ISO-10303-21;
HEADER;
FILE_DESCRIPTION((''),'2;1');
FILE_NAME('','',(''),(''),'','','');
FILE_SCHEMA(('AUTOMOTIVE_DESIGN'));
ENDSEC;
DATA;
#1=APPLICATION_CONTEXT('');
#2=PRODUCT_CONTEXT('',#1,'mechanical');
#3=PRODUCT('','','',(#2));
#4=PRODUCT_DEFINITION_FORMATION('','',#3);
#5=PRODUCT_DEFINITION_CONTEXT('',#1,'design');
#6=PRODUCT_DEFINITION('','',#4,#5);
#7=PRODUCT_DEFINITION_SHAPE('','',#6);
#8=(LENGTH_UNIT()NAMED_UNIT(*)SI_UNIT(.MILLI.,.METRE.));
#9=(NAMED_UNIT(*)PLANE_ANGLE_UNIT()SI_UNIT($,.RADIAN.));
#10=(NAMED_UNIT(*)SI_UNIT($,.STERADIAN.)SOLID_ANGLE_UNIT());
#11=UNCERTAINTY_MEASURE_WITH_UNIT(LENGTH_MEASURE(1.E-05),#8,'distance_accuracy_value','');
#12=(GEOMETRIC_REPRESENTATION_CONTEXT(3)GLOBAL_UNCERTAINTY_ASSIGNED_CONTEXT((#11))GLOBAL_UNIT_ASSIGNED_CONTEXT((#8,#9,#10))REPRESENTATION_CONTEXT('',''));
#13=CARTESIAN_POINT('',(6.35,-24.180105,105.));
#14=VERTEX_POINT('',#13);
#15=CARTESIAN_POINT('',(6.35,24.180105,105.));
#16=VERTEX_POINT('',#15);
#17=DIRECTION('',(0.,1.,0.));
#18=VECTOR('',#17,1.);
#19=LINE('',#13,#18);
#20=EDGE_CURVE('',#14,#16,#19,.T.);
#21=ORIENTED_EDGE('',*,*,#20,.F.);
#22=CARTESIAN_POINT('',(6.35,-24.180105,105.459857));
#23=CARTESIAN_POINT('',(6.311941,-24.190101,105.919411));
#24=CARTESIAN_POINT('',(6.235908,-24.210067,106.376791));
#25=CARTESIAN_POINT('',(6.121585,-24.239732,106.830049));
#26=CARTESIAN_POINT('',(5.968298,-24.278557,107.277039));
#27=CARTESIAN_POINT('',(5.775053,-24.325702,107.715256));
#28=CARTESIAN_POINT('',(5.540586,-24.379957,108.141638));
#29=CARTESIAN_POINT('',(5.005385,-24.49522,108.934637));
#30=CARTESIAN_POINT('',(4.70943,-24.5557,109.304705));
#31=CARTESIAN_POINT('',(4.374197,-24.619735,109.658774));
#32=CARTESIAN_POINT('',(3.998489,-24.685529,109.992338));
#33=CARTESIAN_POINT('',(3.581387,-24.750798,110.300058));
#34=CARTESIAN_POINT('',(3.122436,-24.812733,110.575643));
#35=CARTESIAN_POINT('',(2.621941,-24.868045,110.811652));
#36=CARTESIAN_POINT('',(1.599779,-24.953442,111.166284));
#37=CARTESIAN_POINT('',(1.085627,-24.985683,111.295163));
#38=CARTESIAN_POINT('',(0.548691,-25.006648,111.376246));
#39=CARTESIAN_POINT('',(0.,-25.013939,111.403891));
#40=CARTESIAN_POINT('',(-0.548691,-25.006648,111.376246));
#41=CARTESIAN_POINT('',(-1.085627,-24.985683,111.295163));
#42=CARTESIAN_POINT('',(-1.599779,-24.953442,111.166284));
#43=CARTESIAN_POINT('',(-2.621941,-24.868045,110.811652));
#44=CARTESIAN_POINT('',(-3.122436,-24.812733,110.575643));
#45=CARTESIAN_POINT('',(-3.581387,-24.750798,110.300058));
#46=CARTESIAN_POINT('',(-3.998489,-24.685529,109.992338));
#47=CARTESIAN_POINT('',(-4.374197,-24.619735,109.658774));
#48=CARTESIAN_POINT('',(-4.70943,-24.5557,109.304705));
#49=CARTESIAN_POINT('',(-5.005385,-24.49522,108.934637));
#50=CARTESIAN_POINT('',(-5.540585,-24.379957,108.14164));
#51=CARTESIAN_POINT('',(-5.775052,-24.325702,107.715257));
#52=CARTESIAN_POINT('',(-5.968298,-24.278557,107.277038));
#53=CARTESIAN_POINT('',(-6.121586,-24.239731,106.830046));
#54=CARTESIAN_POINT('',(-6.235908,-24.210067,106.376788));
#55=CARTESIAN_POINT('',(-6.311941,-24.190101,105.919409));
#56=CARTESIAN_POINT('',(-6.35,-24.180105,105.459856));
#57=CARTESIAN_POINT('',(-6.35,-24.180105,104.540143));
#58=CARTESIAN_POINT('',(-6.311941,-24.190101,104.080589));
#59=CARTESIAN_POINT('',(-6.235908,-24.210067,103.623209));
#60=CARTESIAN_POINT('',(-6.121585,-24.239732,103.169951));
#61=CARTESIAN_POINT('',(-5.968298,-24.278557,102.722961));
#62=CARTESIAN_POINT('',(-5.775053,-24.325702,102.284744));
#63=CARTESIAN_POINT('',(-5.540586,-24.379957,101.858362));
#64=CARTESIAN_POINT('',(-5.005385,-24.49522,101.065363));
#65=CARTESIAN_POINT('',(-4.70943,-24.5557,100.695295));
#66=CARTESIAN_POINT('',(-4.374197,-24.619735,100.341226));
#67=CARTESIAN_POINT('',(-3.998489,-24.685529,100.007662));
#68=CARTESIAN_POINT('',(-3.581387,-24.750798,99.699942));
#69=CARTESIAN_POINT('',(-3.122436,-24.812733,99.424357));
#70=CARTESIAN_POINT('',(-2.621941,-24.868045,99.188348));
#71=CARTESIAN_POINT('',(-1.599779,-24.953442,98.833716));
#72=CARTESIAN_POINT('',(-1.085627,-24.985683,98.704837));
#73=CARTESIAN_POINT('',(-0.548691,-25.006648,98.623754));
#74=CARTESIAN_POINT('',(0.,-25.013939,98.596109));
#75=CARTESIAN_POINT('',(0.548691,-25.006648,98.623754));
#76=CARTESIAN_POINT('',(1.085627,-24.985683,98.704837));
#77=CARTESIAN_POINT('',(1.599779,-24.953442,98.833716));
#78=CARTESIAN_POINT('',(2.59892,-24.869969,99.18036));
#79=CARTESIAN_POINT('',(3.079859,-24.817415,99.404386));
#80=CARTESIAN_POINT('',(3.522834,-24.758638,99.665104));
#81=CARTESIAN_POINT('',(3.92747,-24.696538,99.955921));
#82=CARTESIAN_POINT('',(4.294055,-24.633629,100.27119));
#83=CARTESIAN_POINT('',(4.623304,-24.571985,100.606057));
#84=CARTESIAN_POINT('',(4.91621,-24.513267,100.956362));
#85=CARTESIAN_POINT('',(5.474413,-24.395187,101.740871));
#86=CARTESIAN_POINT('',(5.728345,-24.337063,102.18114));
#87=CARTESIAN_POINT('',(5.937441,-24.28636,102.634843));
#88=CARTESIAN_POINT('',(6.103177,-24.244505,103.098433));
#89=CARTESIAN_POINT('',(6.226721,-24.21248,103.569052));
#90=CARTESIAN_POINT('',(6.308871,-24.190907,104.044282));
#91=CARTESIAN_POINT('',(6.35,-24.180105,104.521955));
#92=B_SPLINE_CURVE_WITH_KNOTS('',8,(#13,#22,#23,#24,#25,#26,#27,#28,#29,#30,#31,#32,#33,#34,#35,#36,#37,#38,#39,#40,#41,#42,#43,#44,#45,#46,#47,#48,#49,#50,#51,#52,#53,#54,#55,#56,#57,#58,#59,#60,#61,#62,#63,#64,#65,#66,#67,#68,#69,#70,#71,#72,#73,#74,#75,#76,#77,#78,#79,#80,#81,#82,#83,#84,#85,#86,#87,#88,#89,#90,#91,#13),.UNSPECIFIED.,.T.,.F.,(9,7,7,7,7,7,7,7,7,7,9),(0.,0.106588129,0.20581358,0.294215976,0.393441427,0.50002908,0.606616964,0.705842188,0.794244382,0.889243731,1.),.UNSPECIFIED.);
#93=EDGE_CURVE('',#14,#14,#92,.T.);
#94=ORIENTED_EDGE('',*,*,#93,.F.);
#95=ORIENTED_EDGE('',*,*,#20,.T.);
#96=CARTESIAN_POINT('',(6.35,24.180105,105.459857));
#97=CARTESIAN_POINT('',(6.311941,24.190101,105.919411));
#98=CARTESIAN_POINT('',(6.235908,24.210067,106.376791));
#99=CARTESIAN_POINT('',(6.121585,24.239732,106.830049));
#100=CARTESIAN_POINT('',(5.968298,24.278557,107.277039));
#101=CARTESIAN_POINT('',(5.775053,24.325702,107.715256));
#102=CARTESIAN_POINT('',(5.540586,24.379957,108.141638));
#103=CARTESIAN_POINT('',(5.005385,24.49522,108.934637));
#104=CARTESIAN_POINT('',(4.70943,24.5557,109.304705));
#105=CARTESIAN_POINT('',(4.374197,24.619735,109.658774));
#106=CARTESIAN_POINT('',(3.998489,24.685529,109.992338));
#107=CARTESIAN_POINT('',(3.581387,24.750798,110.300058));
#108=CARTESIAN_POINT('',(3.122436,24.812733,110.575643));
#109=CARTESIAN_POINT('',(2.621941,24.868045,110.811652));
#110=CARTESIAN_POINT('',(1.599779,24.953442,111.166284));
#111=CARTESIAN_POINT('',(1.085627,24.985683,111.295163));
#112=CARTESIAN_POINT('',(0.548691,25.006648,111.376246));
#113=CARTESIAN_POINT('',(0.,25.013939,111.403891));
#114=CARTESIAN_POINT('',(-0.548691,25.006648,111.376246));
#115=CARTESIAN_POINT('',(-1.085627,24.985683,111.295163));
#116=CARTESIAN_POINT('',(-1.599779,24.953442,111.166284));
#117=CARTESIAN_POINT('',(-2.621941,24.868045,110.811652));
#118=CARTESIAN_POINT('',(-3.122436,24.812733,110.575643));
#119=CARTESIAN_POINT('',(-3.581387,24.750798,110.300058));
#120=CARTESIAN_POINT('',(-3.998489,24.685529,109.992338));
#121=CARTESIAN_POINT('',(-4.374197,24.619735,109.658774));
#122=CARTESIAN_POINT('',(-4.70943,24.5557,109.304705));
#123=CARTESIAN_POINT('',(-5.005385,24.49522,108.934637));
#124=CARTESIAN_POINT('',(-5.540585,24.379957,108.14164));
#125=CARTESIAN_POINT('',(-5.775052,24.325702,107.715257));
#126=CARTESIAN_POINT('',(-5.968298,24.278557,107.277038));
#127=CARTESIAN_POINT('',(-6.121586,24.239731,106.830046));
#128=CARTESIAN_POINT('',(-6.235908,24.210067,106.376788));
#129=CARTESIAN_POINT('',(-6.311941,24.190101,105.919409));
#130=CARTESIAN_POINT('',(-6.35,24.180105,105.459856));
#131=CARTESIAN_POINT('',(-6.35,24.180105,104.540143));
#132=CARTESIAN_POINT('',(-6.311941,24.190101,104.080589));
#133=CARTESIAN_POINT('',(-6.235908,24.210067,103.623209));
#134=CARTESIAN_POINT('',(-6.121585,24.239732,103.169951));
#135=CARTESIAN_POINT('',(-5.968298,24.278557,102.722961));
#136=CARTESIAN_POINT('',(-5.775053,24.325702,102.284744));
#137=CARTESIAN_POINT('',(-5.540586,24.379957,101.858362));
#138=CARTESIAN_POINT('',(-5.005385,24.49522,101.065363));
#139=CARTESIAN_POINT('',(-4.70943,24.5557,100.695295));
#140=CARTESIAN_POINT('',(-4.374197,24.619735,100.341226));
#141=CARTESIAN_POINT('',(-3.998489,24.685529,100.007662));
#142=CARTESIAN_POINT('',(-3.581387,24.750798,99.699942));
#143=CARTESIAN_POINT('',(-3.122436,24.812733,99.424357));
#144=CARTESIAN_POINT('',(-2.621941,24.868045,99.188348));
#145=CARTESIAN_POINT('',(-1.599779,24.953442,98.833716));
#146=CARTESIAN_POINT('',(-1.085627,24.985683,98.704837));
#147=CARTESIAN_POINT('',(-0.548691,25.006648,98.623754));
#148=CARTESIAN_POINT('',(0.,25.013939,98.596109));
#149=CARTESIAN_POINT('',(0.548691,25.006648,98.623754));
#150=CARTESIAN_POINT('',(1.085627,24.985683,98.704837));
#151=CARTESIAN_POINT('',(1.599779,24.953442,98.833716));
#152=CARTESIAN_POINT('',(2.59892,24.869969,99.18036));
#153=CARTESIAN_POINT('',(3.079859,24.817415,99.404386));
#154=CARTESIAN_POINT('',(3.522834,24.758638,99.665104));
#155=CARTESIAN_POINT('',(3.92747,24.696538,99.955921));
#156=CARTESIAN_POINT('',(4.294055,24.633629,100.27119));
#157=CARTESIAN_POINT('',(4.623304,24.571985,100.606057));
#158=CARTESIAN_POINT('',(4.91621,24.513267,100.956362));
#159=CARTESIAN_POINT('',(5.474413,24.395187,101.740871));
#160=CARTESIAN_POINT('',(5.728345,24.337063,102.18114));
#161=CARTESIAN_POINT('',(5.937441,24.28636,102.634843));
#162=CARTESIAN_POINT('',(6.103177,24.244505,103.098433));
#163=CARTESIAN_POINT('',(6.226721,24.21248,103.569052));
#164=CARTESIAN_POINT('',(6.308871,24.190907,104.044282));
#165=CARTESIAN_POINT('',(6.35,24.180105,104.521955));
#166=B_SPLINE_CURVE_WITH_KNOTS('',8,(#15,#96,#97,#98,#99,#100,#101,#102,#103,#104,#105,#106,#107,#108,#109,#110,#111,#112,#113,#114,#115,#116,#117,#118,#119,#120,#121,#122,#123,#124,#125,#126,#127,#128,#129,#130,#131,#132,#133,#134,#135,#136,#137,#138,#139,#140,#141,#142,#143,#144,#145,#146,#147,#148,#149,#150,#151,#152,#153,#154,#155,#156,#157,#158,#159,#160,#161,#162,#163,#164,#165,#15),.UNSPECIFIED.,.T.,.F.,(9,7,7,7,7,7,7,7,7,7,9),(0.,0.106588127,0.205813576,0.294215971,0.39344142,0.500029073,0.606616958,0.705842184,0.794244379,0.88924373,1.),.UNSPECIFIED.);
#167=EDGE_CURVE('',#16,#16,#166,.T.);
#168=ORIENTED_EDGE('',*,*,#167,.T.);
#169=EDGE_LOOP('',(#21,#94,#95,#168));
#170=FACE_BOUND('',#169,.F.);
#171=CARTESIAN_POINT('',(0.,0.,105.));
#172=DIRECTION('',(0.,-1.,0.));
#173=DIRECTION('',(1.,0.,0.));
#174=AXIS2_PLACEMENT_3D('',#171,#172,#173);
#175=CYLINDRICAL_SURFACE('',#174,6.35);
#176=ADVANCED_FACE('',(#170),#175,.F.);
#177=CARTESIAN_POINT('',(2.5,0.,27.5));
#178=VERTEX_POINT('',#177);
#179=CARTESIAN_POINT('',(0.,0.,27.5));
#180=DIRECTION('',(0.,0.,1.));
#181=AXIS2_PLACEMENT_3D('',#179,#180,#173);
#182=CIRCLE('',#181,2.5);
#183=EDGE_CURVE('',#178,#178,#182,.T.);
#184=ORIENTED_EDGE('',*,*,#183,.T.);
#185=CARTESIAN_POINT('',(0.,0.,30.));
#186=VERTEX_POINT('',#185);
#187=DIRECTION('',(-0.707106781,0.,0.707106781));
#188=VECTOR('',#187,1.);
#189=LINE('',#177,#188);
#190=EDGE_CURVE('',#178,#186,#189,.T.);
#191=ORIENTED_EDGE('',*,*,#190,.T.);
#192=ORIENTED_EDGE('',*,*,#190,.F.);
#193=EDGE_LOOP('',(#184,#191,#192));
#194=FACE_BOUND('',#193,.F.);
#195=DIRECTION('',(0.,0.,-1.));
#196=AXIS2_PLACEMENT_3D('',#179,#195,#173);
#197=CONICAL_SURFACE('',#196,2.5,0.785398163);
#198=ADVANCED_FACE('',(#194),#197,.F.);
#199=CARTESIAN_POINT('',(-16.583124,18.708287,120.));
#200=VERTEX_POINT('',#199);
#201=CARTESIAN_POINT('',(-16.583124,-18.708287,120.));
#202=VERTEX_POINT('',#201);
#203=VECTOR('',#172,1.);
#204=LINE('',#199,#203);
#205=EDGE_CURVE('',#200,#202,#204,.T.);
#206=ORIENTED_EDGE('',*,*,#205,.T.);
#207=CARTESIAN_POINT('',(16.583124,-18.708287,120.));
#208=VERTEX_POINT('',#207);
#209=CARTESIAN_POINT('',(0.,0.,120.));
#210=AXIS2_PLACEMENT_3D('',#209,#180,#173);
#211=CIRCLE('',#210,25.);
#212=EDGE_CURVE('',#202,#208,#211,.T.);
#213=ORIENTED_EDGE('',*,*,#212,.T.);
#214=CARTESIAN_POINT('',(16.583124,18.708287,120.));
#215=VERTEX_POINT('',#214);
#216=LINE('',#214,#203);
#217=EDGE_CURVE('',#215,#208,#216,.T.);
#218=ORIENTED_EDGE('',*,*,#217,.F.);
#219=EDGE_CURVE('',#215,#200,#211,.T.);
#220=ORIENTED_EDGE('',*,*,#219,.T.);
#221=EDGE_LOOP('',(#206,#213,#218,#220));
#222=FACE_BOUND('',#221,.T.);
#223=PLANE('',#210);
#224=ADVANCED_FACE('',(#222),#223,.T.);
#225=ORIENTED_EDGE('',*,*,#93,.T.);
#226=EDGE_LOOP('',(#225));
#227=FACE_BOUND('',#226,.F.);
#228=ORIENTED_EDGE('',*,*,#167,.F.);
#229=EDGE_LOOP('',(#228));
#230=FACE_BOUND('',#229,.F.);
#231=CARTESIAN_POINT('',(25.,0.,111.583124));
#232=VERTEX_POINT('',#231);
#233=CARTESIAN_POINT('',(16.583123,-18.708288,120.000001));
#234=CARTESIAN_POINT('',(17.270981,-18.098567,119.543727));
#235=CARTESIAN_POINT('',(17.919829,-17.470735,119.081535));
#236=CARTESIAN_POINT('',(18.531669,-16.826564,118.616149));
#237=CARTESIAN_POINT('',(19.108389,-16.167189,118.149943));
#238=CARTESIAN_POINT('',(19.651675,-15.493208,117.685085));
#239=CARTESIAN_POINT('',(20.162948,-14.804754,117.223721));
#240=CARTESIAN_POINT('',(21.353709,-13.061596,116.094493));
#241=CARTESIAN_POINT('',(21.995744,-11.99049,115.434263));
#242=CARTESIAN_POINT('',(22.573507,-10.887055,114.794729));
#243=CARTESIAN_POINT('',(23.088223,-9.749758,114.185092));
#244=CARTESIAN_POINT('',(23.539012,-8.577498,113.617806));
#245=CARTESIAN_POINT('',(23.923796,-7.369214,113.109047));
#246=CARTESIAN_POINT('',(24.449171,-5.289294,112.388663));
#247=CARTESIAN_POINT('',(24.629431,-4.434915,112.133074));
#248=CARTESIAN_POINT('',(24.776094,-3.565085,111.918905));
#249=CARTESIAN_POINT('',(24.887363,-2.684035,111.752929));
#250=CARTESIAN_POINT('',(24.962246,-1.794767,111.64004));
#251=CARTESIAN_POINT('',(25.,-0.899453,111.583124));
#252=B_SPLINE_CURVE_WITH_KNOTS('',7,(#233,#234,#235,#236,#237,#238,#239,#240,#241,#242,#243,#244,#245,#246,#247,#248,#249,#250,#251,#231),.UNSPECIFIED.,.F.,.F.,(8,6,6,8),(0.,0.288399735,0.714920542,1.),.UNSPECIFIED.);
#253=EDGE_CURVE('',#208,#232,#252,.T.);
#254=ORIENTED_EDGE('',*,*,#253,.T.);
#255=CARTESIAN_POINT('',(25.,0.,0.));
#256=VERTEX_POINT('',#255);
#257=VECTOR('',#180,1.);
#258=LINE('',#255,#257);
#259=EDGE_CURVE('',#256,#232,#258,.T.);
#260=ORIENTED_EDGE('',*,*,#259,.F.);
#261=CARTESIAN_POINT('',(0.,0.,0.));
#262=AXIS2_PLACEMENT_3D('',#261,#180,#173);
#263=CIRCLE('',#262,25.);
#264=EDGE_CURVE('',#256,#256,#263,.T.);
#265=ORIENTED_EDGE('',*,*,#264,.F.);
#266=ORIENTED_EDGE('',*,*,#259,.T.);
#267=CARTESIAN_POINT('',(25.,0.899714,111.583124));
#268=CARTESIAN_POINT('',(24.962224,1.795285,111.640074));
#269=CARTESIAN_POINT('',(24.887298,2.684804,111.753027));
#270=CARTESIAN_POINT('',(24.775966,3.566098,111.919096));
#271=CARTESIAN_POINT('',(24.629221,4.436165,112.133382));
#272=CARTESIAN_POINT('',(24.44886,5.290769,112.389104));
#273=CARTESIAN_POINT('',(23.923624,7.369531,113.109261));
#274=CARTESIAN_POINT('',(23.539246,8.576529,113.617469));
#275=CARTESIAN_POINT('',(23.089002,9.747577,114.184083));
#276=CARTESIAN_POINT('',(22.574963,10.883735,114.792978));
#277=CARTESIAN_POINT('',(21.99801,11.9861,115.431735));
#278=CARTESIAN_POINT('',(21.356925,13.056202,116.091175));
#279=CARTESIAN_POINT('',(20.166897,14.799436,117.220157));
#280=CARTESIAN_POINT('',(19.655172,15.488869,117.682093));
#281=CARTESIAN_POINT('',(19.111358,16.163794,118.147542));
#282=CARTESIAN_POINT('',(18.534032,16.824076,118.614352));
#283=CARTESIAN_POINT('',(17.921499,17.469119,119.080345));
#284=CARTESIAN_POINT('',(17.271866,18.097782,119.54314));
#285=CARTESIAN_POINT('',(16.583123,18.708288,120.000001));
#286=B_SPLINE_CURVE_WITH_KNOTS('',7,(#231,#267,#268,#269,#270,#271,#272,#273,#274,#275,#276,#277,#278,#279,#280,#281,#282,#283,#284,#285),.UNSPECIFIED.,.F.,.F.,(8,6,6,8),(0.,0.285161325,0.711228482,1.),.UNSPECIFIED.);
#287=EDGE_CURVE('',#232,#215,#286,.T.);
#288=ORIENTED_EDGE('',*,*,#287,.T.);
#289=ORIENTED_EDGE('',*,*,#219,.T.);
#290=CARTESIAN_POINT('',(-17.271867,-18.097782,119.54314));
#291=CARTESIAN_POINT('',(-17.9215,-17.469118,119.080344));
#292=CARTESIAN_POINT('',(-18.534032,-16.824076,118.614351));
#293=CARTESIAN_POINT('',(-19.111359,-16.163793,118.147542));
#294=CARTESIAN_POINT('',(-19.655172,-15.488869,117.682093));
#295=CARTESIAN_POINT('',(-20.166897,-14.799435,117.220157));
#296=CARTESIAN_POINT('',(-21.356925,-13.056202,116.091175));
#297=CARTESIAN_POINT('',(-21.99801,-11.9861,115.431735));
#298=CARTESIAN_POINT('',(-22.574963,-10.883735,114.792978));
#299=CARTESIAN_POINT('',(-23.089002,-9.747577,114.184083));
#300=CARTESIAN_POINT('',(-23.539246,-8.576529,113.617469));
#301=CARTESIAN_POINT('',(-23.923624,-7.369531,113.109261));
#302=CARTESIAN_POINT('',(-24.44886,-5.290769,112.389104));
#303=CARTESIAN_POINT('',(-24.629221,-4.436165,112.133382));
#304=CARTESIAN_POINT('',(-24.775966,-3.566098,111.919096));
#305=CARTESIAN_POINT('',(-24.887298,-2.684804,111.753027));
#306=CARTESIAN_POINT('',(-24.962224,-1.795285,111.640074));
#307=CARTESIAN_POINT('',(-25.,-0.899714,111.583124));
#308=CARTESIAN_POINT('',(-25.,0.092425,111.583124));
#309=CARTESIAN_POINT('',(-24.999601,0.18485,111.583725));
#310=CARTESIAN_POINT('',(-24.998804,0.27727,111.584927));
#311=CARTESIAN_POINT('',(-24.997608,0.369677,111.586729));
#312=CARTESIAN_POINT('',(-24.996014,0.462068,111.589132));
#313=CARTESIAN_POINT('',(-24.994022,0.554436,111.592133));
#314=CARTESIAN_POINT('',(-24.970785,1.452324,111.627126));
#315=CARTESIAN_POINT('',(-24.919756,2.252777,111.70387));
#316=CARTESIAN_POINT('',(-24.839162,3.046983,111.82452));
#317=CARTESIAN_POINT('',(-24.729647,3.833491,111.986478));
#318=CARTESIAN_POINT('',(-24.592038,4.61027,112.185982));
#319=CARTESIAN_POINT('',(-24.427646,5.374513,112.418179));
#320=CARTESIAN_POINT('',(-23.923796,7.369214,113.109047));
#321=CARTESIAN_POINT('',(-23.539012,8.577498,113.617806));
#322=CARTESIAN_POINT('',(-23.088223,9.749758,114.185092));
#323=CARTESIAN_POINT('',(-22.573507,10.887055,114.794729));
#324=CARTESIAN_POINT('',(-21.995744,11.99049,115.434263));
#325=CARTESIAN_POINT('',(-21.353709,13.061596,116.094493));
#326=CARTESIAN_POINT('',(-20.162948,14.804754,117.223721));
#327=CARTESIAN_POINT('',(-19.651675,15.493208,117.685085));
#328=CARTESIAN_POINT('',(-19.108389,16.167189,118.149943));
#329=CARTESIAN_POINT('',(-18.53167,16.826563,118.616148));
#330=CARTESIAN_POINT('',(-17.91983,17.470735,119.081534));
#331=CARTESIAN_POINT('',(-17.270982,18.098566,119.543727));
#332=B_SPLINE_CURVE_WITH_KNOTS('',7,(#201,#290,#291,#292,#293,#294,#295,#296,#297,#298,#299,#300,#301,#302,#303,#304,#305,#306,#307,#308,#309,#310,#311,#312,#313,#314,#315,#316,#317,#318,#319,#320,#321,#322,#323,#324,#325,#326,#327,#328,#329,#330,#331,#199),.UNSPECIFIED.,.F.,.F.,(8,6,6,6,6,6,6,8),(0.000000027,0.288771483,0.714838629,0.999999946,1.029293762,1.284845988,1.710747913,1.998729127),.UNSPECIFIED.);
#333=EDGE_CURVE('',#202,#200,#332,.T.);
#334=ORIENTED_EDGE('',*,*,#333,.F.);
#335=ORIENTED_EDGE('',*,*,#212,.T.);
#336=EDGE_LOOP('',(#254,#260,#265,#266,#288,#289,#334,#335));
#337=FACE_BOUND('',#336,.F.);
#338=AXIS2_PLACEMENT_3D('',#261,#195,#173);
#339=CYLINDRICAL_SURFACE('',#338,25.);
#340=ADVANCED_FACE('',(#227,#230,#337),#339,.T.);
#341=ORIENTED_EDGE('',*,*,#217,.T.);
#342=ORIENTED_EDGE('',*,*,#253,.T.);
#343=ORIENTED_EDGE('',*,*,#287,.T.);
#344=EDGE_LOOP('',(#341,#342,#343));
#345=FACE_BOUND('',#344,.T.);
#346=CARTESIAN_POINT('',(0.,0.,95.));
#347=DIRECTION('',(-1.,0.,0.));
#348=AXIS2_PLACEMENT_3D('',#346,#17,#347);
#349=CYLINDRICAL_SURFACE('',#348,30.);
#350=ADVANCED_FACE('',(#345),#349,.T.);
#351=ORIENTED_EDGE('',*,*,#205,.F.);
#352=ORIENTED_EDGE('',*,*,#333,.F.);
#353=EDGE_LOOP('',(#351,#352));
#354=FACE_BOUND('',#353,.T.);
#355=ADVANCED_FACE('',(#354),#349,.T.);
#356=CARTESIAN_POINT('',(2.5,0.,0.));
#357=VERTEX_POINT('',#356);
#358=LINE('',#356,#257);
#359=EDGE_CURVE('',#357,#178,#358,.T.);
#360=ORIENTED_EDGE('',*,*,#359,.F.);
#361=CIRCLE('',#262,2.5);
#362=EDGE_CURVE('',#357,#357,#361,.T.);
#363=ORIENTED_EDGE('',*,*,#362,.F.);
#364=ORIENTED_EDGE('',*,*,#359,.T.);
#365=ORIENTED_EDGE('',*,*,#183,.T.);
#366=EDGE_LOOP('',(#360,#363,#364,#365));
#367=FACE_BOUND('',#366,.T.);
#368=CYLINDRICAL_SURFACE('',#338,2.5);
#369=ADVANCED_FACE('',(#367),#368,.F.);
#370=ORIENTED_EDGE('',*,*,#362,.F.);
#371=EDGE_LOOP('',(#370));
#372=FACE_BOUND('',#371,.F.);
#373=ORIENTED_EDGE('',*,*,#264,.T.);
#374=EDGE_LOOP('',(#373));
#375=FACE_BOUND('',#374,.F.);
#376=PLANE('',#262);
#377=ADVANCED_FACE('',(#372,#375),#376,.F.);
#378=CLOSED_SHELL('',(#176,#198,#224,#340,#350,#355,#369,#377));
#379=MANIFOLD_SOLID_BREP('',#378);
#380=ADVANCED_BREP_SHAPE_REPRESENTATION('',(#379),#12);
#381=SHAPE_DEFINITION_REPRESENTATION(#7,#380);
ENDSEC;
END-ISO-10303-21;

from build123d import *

# Parameters (mm, degrees)
F0_R          = 25
F0_R_2        = 2.5
F1_DEPTH      = 120
F2_DEPTH      = 30
F3_SIZE       = 2.5
F4_R          = 6.35
F5_DEPTH      = 25.001
F5_DEPTH_BACK = 25


with BuildPart() as f1:
    # F0 (on Top) → F1 (new body)
    with BuildSketch(Plane.XY):
        Circle(F0_R)
        Circle(F0_R_2, mode=Mode.SUBTRACT)
        Circle(F0_R_2)
    extrude(amount=F1_DEPTH)

    # F0 (on Top) → F2 (cut)
    with BuildSketch(Plane.XY):
        Circle(F0_R_2)
    extrude(amount=F2_DEPTH, mode=Mode.SUBTRACT)

    # F3
    f3_edges = [f1.edges().sort_by_distance(p)[0] for p in [
        (-2.5, 0, 30),
    ]]
    chamfer(f3_edges, length=F3_SIZE)

    # F4 (on Front) → F5 (cut, two sides)
    with BuildSketch(Plane.XZ) as f5_sk:
        with Locations((0, 105)):
            Circle(F4_R)
        with BuildLine():
            ThreePointArc((-30, 95), (0, 125), (30, 95))
            Line((30, 95), (51.988307, 95))
            Line((51.988307, 95), (51.988307, 154.9235))
            Line((51.988307, 154.9235), (-49.441047, 154.9235))
            Line((-49.441047, 154.9235), (-49.441047, 95))
            Line((-49.441047, 95), (-30, 95))
        make_face()
    extrude(amount=F5_DEPTH, mode=Mode.SUBTRACT)
    extrude(f5_sk.sketch, amount=-F5_DEPTH_BACK, mode=Mode.SUBTRACT)


solid = f1.part
